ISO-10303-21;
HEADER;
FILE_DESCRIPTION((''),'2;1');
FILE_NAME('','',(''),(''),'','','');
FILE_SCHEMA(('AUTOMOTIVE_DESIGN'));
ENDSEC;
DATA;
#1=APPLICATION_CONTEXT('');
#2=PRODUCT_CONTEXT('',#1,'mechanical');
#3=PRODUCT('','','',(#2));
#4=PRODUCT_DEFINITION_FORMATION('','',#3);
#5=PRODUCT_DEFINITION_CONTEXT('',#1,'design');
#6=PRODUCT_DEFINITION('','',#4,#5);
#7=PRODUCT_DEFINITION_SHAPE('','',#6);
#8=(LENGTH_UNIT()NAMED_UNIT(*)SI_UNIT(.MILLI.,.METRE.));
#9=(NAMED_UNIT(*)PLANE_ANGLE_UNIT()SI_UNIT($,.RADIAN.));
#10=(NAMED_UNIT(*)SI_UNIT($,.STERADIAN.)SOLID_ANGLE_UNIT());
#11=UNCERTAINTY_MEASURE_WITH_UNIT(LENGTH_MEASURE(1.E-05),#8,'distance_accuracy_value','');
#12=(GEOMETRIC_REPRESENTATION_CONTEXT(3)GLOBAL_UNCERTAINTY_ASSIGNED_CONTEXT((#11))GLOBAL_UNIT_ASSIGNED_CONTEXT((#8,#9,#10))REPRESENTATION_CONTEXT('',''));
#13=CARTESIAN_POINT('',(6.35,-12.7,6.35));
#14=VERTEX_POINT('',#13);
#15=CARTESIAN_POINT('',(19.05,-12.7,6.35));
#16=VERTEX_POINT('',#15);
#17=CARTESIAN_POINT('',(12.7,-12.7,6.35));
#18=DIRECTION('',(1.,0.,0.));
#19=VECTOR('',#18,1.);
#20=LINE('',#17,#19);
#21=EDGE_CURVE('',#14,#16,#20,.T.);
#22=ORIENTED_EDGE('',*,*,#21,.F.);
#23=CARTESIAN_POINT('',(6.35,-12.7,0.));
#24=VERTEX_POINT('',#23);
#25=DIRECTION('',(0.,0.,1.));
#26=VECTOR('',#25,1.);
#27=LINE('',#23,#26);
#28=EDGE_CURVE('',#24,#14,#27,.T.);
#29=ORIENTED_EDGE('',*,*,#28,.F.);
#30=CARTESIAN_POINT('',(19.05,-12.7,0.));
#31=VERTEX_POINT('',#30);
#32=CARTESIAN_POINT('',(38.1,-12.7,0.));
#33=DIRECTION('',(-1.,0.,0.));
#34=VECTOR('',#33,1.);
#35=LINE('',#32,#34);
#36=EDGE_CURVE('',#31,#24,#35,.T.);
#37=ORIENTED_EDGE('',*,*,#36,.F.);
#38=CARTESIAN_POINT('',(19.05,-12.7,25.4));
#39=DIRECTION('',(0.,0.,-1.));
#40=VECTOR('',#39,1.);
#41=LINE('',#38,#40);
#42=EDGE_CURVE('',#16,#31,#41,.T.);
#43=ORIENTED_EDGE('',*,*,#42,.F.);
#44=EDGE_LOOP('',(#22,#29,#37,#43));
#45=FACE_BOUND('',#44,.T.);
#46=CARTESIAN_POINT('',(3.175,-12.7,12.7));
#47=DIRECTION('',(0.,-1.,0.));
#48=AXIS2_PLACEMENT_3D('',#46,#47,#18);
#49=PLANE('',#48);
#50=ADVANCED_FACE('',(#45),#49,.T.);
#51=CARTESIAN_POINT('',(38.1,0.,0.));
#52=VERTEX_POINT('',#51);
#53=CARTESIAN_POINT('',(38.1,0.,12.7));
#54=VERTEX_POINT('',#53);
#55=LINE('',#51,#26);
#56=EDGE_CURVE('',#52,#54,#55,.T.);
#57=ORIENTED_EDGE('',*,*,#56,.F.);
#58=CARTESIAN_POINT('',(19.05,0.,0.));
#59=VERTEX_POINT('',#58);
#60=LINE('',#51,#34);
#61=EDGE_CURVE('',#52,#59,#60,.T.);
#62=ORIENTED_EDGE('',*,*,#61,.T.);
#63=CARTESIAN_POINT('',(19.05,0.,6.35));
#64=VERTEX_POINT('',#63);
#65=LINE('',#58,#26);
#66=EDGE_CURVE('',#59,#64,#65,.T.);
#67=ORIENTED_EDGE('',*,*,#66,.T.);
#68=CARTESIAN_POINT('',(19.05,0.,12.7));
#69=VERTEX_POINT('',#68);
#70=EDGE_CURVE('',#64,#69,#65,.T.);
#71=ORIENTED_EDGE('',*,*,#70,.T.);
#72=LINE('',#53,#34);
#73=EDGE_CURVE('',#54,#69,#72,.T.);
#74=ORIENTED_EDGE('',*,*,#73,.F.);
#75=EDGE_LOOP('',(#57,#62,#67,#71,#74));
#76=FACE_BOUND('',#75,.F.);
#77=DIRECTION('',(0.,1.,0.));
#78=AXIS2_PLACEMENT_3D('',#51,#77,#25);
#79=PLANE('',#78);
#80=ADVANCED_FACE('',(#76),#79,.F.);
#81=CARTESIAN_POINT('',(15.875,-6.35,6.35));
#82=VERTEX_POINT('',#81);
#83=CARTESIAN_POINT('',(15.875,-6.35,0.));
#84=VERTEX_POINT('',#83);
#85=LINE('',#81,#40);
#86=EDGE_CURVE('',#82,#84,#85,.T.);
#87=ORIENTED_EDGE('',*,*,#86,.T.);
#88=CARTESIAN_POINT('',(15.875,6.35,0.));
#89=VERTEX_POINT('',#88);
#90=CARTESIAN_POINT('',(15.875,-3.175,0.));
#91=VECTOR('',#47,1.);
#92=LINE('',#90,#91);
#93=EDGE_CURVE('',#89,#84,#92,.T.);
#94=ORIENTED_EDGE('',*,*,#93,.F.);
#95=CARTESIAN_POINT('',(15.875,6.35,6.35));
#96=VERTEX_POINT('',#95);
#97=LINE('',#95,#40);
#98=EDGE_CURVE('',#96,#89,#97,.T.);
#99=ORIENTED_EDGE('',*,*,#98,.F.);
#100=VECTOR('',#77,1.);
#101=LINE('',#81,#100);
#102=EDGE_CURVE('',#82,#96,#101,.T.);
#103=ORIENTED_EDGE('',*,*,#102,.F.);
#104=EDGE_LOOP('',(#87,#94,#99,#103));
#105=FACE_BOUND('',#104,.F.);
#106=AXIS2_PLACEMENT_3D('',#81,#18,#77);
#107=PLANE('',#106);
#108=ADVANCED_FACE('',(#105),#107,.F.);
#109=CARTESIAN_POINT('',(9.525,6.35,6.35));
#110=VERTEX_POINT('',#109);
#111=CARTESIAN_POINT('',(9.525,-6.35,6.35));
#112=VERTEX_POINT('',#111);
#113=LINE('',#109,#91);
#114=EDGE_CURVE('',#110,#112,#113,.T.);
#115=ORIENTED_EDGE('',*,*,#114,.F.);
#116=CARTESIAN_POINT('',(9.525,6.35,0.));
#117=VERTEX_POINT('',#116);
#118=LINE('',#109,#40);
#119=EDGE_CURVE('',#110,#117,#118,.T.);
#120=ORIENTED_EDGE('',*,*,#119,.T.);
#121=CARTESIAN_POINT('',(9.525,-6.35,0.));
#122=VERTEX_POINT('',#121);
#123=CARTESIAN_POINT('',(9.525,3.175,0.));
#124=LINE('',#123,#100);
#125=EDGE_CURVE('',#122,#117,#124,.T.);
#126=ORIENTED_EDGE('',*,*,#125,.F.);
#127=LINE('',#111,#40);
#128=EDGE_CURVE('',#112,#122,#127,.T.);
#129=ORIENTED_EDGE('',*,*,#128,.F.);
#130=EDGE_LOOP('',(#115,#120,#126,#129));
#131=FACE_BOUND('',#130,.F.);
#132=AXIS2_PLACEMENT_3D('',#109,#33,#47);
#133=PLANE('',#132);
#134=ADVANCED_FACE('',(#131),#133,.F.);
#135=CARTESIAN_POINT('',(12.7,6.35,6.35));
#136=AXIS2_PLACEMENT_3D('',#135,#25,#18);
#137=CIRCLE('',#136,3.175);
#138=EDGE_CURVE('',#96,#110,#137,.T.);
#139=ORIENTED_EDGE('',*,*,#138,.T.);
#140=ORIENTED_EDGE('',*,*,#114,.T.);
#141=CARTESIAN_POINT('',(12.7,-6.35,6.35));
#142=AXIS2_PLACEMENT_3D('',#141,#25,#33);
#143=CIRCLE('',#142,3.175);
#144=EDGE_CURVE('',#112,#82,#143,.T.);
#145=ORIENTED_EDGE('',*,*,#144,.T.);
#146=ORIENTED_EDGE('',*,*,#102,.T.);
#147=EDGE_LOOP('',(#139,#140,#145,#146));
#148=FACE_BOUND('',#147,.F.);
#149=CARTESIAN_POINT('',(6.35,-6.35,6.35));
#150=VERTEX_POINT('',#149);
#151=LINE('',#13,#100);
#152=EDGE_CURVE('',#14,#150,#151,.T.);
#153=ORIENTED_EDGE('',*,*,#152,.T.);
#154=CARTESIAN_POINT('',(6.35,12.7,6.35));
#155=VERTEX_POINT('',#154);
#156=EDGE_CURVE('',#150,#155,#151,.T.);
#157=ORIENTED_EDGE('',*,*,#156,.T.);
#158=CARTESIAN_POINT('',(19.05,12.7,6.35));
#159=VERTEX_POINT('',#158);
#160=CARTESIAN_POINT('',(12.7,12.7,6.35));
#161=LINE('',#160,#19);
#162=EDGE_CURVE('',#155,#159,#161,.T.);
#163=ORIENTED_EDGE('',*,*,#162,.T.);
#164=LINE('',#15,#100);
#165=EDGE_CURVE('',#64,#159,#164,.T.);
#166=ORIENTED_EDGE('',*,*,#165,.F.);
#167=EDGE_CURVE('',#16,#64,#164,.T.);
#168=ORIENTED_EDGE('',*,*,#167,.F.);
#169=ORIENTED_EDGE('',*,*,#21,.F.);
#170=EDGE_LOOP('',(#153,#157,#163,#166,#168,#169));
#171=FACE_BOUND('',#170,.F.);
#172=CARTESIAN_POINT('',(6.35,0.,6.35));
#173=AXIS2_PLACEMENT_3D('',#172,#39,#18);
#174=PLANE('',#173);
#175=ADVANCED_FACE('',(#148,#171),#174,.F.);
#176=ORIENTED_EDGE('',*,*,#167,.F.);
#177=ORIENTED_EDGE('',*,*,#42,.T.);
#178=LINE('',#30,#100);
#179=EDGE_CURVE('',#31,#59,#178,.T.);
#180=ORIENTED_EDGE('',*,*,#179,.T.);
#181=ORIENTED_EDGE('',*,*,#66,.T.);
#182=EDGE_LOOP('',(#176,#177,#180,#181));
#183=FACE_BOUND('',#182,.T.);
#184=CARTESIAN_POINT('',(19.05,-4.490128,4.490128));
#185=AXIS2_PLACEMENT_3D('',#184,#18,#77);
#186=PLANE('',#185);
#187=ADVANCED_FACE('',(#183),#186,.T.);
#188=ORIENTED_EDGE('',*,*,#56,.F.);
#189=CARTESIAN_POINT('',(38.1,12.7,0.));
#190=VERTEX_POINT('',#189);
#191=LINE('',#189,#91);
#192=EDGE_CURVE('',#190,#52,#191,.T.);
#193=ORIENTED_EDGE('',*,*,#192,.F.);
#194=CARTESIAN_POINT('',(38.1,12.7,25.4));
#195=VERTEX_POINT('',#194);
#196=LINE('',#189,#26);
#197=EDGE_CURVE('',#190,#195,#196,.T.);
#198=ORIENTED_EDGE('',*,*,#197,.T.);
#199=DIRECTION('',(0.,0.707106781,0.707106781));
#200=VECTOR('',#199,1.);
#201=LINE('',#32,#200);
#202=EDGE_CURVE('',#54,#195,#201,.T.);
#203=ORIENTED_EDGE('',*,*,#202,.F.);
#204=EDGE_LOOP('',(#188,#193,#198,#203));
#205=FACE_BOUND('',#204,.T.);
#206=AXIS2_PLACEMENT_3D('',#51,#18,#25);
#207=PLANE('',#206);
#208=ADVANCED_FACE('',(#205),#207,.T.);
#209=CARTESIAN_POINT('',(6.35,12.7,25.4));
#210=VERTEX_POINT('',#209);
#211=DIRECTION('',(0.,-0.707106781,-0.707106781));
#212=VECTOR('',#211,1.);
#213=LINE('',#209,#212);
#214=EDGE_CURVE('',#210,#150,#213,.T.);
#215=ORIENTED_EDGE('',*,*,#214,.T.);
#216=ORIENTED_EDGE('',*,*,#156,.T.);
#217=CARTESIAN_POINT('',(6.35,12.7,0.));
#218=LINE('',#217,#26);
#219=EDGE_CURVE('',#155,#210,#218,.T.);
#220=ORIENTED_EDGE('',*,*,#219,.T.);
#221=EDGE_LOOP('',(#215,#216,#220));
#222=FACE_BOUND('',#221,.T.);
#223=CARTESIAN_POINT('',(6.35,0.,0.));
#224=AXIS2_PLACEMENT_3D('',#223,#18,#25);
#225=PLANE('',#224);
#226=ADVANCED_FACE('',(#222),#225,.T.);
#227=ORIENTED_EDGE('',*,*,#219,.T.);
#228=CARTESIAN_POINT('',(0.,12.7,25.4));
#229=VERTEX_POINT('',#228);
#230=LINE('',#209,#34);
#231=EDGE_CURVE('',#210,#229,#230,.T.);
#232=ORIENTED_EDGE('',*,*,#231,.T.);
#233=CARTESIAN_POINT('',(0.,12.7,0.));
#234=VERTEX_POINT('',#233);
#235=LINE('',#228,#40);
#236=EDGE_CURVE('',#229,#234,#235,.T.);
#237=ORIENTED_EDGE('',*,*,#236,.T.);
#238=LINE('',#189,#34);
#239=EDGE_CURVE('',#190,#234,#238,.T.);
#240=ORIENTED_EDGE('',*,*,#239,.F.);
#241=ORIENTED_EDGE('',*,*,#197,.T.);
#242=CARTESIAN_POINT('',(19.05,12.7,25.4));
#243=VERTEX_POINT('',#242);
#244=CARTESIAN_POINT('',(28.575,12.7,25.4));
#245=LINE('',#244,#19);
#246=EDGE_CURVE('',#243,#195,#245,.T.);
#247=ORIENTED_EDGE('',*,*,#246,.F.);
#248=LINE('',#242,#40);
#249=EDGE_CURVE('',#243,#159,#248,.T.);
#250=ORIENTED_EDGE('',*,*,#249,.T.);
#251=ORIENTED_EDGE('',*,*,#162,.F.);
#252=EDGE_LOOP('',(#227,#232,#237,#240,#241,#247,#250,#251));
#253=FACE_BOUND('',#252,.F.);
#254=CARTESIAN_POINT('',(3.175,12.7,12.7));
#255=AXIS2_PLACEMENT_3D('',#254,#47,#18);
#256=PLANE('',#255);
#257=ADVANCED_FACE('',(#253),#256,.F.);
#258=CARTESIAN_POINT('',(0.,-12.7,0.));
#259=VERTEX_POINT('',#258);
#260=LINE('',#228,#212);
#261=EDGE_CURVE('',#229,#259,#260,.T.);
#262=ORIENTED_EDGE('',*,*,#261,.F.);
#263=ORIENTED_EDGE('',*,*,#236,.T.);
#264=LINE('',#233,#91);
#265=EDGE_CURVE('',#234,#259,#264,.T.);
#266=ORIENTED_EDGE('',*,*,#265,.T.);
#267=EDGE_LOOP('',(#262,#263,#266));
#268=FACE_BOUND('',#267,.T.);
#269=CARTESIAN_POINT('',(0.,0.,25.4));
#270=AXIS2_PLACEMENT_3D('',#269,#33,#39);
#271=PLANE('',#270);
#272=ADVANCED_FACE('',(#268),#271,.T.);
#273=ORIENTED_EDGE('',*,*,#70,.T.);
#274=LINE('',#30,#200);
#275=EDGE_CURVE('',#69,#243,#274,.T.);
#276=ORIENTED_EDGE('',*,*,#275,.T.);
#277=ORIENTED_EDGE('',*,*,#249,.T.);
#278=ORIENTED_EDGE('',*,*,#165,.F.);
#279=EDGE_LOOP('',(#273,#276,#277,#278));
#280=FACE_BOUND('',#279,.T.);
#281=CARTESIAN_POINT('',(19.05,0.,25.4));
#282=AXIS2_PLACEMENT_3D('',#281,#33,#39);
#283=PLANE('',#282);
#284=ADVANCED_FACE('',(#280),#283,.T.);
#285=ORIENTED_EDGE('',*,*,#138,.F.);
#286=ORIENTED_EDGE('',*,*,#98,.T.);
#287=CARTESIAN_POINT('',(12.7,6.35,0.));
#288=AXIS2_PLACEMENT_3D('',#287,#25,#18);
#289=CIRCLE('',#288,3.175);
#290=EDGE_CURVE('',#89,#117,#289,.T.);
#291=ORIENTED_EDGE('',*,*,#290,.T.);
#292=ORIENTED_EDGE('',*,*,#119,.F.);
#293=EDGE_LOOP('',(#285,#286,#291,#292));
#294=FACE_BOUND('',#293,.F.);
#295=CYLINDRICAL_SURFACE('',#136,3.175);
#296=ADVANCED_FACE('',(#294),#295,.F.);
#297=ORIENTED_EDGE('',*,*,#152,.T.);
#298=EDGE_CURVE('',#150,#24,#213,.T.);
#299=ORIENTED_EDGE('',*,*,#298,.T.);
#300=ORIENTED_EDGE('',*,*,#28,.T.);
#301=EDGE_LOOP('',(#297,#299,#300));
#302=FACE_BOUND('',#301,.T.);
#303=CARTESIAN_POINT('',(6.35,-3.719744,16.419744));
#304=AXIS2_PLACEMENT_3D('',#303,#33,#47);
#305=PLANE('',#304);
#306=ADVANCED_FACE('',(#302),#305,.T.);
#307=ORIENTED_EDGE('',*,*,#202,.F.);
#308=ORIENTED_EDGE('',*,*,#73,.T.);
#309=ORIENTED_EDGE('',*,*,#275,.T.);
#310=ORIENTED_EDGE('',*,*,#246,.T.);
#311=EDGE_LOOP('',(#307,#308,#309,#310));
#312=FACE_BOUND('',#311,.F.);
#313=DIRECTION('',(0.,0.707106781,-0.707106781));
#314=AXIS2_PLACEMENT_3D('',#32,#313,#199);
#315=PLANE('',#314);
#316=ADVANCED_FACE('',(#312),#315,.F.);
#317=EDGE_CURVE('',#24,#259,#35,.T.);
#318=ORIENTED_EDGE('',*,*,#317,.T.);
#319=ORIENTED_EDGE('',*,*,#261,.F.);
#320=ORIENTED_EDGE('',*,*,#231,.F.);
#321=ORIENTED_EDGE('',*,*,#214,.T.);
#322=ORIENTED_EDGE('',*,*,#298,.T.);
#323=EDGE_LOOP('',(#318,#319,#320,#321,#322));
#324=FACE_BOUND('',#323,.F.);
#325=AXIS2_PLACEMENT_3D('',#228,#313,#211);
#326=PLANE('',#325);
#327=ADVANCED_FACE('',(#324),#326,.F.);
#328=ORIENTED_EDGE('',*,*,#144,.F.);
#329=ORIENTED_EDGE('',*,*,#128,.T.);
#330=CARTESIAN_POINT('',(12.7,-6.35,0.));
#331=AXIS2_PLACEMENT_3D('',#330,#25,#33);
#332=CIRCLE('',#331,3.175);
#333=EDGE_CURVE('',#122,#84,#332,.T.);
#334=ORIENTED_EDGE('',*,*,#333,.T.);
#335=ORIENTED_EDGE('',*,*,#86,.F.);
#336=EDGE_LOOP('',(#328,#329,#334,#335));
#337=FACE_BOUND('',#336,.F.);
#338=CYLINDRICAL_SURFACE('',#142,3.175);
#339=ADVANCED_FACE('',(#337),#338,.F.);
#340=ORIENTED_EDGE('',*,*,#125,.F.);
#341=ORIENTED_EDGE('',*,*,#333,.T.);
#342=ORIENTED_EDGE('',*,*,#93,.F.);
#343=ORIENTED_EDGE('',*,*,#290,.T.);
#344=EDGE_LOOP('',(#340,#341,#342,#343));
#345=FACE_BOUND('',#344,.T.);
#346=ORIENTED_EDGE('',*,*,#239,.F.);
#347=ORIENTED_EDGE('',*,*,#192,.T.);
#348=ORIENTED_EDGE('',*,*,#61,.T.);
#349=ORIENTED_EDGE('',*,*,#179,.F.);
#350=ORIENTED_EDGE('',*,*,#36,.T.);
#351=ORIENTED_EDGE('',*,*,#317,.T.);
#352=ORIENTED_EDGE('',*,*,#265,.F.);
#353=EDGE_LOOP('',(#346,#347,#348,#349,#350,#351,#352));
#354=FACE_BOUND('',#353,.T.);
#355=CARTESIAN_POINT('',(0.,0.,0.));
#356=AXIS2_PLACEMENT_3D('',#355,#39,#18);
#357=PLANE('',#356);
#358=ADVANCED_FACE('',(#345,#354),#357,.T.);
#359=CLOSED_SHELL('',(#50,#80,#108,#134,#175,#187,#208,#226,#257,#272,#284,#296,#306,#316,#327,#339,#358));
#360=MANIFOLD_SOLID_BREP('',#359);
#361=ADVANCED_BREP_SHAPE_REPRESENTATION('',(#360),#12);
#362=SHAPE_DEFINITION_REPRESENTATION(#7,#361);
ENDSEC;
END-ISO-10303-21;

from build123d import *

# Parameters (mm, degrees)
F0_W      = 12.7
F0_H      = 6.35
F1_DEPTH  = 12.7
F3_DEPTH  = 6.351
F0_W_2    = 19.05
F0_H_2    = 12.7
F4_DEPTH  = 12.7
F6_DEPTH  = 12.7
F7_DEPTH  = 19.05
F9_DEPTH  = 19.05
F11_DEPTH = 6.35


with BuildPart() as f1:
    # F0 (on Front) → F1 (new body, symmetric)
    with BuildSketch(Plane.XZ):
        with Locations((12.7, 3.175)):
            Rectangle(F0_W, F0_H)
    extrude(amount=F1_DEPTH, both=True)

    # F2 (on face) → F3 (cut, through all)
    with BuildSketch(Plane.XY.offset(6.35)):
        with BuildLine():
            ThreePointArc((15.875, 6.35), (12.7, 9.525), (9.525, 6.35))
            Line((9.525, 6.35), (9.525, -6.35))
            ThreePointArc((9.525, -6.35), (12.7, -9.525), (15.875, -6.35))
            Line((15.875, -6.35), (15.875, 6.35))
        make_face()
    extrude(amount=-F3_DEPTH, mode=Mode.SUBTRACT)

    # F0 (on Front) → F4 (join, symmetric)
    with BuildSketch(Plane.XZ):
        Polygon((19.05, 6.35), (19.05, 0), (38.1, 0), (38.1, 12.7), (19.05, 12.7), align=None)
        with Locations((28.575, 19.05)):
            Rectangle(F0_W_2, F0_H_2)
    extrude(amount=F4_DEPTH, both=True)

    # F0 (on Front) → F6 (join, symmetric)
    with BuildSketch(Plane.XZ):
        Polygon((0, 25.4), (0, 0), (6.35, 0), (6.35, 6.35), (6.35, 25.4), align=None)
    extrude(amount=F6_DEPTH, both=True)

    # F5 (on face) → F7 (cut)
    with BuildSketch(Plane.YZ.offset(38.1)):
        Polygon((-12.7, 0), (12.7, 25.4), (-12.7, 25.4), align=None)
    extrude(amount=-F7_DEPTH, mode=Mode.SUBTRACT)

    # F8 (on face) → F9 (cut)
    with BuildSketch(Plane.YZ.offset(38.1)):
        Polygon((0, 0), (0, 12.7), (-12.7, 0), align=None)
    extrude(amount=-F9_DEPTH, mode=Mode.SUBTRACT)

    # F10 (on face) → F11 (cut)
    with BuildSketch(Plane(origin=(0, 0, 0), x_dir=(0, -1, 0), z_dir=(-1, 0, 0))):
        Polygon((12.7, 25.4), (-12.7, 25.4), (12.7, 0), align=None)
    extrude(amount=-F11_DEPTH, mode=Mode.SUBTRACT)


solid = f1.part
